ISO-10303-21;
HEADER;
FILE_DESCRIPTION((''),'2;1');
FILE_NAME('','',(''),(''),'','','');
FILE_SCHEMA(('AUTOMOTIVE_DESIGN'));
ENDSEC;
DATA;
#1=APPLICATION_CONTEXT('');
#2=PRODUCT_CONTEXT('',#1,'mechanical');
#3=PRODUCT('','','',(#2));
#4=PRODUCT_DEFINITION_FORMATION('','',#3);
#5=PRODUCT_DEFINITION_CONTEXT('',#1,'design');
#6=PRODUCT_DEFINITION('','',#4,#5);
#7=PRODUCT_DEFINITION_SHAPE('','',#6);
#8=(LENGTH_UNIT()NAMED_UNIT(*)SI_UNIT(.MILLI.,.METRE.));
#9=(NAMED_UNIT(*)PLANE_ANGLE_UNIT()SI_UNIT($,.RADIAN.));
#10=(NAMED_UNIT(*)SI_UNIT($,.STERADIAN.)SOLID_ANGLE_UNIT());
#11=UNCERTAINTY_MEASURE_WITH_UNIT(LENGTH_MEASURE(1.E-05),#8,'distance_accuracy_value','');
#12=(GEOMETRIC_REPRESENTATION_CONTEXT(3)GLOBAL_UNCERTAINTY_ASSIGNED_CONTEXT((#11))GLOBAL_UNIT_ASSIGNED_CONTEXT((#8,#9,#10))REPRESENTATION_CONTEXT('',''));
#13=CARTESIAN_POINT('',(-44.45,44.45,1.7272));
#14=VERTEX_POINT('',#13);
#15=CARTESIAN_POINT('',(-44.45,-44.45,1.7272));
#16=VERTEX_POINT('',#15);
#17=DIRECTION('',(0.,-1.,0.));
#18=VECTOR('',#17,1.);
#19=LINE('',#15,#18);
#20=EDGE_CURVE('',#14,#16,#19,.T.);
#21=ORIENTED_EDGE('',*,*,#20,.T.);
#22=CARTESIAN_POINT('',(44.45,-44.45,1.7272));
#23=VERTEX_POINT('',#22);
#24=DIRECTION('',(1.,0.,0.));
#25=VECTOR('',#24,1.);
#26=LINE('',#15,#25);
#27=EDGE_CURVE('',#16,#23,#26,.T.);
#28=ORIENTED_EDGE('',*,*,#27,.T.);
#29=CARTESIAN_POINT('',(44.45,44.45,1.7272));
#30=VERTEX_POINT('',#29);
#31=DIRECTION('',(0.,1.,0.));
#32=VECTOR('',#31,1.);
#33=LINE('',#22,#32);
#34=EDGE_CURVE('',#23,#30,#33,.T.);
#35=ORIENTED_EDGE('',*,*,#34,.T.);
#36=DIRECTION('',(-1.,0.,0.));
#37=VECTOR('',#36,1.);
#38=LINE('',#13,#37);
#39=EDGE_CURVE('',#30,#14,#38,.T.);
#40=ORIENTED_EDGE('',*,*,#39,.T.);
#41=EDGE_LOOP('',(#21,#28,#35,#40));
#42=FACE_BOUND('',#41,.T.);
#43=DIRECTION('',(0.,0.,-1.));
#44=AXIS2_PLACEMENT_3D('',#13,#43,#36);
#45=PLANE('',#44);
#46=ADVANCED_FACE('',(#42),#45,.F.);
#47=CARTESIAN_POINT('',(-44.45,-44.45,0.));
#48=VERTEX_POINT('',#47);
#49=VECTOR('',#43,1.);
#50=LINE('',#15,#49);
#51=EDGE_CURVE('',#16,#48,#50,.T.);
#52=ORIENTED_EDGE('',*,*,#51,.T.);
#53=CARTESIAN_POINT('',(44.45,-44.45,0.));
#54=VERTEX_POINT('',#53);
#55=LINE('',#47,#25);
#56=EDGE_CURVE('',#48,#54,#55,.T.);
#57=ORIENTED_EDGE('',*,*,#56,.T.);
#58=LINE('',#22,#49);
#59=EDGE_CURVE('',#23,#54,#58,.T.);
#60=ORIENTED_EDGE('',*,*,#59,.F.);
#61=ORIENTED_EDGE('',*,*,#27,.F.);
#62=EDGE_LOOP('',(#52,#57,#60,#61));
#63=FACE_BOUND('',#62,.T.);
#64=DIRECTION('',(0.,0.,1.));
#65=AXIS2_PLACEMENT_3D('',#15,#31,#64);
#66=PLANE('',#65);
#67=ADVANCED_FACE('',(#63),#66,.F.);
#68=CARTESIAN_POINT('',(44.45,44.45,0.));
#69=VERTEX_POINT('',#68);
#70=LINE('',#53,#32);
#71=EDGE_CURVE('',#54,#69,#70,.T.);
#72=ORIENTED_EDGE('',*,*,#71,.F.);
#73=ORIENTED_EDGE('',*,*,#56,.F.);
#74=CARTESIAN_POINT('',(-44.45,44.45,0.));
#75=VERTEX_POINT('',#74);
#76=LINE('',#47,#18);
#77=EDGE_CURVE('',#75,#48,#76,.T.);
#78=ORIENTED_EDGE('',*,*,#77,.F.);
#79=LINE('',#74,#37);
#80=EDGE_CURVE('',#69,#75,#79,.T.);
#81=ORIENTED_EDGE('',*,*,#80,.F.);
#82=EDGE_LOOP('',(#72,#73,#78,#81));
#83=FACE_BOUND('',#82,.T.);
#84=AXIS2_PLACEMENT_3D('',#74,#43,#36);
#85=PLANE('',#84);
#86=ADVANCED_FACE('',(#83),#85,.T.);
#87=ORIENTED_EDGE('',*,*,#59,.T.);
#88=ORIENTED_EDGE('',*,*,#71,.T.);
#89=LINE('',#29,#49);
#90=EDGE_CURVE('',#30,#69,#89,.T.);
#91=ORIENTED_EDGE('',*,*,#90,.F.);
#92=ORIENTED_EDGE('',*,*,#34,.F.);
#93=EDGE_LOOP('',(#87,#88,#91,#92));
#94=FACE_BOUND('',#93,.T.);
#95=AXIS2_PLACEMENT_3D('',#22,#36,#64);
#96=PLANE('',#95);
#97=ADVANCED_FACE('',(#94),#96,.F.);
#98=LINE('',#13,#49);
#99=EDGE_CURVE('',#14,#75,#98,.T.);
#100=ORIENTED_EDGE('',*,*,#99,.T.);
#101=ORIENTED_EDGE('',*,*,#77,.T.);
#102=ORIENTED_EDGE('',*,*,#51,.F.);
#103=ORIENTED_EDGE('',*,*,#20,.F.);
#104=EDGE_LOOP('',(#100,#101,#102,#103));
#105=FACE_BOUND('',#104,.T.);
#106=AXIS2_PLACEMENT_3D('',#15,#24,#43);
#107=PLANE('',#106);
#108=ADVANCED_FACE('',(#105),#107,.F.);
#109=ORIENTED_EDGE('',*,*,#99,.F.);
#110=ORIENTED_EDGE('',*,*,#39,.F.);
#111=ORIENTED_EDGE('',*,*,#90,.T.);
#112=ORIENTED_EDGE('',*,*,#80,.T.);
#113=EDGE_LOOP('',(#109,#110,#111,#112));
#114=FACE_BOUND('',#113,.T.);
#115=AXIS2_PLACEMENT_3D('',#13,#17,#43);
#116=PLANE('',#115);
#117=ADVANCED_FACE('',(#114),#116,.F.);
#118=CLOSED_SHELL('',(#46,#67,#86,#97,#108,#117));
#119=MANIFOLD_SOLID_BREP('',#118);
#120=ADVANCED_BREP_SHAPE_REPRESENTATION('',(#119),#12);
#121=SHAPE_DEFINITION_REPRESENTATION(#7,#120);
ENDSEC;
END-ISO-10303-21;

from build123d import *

# Parameters (mm, degrees)
SKETCH1_W      = 88.9
SKETCH1_H      = 88.9
EXTRUDE1_DEPTH = 1.7272


with BuildPart() as part:
    # Sketch1 → Extrude1 (new body)
    with BuildSketch(Plane.XY):
        Rectangle(SKETCH1_W, SKETCH1_H)
    extrude(amount=EXTRUDE1_DEPTH)


solid = part.part
